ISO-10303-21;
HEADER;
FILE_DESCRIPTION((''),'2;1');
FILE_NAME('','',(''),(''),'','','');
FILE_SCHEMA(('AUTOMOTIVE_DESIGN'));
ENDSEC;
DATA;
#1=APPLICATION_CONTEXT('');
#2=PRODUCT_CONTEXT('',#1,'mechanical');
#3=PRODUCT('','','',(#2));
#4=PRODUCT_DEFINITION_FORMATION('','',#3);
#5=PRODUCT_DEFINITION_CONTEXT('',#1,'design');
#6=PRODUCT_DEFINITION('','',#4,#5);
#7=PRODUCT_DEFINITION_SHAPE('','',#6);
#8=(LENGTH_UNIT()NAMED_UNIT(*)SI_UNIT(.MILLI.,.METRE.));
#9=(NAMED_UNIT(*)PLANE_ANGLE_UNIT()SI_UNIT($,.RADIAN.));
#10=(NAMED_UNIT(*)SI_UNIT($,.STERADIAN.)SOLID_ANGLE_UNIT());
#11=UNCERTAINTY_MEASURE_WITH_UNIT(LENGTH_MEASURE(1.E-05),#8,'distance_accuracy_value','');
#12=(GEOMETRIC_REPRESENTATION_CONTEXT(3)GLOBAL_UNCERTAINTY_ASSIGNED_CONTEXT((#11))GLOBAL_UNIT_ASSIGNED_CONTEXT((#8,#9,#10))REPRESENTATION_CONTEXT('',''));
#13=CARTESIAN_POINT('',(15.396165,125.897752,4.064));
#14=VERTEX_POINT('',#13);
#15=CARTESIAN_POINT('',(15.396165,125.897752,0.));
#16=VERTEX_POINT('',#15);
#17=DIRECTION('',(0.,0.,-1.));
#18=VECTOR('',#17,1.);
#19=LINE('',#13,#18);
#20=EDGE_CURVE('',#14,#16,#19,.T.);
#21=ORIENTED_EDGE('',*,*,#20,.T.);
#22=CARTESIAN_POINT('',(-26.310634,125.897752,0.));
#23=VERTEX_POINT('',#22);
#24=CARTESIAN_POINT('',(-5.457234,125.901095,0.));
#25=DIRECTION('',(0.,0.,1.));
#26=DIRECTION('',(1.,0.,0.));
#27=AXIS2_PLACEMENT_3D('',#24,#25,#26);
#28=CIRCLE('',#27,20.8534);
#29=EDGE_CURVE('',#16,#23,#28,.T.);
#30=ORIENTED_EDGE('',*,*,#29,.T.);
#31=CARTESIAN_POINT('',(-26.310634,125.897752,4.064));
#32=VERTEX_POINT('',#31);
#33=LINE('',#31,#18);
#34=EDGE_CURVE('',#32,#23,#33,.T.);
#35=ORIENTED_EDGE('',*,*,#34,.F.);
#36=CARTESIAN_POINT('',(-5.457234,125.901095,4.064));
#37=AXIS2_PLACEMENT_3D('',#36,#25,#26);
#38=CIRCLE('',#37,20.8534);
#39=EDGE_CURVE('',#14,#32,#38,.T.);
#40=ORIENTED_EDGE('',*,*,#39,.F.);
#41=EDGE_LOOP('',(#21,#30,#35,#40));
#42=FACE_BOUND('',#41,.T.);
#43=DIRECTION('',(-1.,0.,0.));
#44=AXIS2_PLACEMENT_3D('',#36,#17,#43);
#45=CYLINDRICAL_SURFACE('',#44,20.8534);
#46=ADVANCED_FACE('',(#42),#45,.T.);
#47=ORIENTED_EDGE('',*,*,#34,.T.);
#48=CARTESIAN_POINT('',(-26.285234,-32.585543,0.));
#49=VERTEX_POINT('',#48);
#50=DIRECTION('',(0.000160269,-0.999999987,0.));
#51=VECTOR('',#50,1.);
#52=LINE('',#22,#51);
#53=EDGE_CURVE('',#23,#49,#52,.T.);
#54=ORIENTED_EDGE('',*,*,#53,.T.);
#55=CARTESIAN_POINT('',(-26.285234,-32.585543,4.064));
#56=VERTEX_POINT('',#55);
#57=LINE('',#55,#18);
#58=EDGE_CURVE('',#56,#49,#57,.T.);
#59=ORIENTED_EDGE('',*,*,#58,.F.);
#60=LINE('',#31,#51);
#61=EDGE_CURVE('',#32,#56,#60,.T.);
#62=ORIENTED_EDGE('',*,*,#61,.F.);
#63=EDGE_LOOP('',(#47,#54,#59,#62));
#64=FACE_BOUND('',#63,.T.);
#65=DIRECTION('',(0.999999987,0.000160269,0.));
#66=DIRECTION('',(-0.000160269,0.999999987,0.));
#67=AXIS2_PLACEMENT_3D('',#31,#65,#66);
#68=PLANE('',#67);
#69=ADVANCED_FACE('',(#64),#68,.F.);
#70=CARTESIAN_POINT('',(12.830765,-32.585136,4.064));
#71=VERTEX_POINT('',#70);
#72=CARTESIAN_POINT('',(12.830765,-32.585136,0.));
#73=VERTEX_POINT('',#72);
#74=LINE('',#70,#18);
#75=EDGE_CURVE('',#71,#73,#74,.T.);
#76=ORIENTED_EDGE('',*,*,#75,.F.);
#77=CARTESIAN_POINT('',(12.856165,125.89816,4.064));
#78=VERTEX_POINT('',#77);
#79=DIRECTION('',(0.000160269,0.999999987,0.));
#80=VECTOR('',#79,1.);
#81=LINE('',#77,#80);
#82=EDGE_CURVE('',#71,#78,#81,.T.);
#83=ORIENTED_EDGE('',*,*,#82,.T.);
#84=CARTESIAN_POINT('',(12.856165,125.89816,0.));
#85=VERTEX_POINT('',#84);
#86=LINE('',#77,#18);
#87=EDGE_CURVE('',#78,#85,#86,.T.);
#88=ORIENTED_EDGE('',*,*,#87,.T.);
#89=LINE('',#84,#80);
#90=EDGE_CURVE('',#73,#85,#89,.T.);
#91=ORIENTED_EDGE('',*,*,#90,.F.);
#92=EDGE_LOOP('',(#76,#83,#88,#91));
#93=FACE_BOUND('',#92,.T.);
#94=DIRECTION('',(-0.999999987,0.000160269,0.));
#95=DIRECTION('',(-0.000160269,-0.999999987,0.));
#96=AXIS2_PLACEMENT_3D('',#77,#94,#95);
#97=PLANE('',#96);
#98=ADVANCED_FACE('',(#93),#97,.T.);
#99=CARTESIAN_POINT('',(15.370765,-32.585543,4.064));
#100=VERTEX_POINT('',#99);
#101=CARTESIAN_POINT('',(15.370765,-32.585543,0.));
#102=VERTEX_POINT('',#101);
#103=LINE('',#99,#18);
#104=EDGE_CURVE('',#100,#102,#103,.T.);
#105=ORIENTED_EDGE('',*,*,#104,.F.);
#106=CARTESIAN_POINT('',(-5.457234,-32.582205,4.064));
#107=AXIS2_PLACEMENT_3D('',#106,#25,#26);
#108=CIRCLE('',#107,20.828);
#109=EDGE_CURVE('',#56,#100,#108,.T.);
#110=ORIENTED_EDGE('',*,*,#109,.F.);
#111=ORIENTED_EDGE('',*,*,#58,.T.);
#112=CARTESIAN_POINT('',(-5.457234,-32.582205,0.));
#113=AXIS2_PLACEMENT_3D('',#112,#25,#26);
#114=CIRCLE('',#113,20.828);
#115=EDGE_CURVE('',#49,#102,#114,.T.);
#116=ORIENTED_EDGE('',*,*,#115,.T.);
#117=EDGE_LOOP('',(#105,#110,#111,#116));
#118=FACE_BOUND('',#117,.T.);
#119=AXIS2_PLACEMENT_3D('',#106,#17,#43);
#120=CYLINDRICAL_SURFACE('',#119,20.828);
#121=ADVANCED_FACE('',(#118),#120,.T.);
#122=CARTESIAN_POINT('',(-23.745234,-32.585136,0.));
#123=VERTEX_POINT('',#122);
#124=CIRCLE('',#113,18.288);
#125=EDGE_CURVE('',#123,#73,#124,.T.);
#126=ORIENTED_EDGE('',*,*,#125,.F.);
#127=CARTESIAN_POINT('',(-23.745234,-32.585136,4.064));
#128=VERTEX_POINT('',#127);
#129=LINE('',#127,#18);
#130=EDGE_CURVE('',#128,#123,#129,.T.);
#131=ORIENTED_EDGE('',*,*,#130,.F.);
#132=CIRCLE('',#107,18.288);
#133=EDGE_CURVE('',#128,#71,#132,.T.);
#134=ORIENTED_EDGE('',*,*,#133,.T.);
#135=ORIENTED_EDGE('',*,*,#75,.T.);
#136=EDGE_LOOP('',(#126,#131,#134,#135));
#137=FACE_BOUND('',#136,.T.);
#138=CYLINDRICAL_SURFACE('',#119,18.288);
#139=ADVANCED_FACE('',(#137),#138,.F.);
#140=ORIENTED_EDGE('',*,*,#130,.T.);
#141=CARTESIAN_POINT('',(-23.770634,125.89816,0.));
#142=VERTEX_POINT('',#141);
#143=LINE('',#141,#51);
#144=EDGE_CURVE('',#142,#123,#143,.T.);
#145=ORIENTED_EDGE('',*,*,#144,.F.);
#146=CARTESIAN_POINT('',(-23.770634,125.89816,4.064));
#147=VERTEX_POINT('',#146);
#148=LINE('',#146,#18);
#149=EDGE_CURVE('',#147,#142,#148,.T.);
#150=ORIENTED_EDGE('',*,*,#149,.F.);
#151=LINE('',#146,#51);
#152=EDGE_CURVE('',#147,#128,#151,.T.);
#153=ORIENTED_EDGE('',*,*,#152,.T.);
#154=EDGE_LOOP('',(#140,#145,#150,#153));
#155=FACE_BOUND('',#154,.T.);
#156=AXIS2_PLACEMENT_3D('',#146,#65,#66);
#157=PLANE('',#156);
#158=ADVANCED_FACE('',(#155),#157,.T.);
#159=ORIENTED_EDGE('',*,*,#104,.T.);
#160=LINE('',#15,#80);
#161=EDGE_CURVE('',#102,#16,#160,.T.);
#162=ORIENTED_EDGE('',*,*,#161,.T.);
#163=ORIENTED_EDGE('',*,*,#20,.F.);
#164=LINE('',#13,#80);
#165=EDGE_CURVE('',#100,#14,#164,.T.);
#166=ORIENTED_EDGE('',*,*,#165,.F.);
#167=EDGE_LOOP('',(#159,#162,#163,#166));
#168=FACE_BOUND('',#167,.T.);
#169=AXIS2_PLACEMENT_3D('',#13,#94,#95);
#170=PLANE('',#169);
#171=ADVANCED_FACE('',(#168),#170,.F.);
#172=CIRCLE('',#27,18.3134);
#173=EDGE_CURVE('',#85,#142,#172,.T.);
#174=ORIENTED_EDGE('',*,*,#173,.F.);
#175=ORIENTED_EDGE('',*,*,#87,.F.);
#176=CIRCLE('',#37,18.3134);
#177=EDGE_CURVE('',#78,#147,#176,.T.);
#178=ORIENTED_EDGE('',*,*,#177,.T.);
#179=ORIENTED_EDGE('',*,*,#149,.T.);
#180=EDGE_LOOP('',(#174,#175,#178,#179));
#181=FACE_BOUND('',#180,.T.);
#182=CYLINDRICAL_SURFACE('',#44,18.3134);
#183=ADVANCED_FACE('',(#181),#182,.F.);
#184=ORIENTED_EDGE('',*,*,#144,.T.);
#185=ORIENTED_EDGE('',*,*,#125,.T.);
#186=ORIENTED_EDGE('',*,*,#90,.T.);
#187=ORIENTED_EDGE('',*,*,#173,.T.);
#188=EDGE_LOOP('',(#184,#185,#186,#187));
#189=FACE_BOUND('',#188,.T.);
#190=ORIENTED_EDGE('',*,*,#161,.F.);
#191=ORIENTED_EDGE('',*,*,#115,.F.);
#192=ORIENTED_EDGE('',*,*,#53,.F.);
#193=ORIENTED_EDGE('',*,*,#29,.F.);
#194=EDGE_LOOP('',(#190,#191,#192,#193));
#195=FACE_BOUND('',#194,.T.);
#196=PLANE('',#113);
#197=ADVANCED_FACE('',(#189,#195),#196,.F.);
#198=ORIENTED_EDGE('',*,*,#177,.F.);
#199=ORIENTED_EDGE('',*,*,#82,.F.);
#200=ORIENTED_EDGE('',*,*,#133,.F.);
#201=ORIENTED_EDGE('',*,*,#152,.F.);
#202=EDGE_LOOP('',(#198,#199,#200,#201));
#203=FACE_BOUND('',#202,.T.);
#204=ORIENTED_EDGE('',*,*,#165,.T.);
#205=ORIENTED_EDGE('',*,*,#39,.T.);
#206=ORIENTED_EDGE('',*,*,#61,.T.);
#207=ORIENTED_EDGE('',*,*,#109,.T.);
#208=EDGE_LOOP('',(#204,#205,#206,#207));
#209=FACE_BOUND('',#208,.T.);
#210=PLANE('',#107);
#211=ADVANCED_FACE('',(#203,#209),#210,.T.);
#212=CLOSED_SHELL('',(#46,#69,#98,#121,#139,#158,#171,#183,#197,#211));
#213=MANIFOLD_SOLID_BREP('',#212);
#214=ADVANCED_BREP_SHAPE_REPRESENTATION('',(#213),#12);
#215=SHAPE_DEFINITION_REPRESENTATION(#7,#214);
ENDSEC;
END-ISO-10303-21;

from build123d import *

# Parameters (mm, degrees)
BOSS_EXTRUDE1_DEPTH = 4.064


with BuildPart() as part:
    # Sketch1 → Boss-Extrude1 (new body)
    with BuildSketch(Plane.XY):
        with BuildLine():
            Line((-26.310634103, 125.897752486), (-26.285234103, -32.585543443))
            ThreePointArc((-26.285234103, -32.585543443), (-5.457234371, -53.410205355), (15.370765362, -32.585543443))
            Line((15.370765362, -32.585543443), (15.396165361, 125.897752486))
            ThreePointArc((15.396165361, 125.897752486), (-5.457234371, 146.754494645), (-26.310634103, 125.897752486))
        make_face()
        with BuildLine():
            Line((-23.770634136, 125.89815957), (-23.745234136, -32.58513636))
            ThreePointArc((-23.745234136, -32.58513636), (-5.457234371, -50.870205355), (12.830765394, -32.58513636))
            Line((12.830765394, -32.58513636), (12.856165394, 125.89815957))
            ThreePointArc((12.856165394, 125.89815957), (-5.457234371, 144.214494645), (-23.770634136, 125.89815957))
        make_face(mode=Mode.SUBTRACT)
    extrude(amount=BOSS_EXTRUDE1_DEPTH)


solid = part.part
